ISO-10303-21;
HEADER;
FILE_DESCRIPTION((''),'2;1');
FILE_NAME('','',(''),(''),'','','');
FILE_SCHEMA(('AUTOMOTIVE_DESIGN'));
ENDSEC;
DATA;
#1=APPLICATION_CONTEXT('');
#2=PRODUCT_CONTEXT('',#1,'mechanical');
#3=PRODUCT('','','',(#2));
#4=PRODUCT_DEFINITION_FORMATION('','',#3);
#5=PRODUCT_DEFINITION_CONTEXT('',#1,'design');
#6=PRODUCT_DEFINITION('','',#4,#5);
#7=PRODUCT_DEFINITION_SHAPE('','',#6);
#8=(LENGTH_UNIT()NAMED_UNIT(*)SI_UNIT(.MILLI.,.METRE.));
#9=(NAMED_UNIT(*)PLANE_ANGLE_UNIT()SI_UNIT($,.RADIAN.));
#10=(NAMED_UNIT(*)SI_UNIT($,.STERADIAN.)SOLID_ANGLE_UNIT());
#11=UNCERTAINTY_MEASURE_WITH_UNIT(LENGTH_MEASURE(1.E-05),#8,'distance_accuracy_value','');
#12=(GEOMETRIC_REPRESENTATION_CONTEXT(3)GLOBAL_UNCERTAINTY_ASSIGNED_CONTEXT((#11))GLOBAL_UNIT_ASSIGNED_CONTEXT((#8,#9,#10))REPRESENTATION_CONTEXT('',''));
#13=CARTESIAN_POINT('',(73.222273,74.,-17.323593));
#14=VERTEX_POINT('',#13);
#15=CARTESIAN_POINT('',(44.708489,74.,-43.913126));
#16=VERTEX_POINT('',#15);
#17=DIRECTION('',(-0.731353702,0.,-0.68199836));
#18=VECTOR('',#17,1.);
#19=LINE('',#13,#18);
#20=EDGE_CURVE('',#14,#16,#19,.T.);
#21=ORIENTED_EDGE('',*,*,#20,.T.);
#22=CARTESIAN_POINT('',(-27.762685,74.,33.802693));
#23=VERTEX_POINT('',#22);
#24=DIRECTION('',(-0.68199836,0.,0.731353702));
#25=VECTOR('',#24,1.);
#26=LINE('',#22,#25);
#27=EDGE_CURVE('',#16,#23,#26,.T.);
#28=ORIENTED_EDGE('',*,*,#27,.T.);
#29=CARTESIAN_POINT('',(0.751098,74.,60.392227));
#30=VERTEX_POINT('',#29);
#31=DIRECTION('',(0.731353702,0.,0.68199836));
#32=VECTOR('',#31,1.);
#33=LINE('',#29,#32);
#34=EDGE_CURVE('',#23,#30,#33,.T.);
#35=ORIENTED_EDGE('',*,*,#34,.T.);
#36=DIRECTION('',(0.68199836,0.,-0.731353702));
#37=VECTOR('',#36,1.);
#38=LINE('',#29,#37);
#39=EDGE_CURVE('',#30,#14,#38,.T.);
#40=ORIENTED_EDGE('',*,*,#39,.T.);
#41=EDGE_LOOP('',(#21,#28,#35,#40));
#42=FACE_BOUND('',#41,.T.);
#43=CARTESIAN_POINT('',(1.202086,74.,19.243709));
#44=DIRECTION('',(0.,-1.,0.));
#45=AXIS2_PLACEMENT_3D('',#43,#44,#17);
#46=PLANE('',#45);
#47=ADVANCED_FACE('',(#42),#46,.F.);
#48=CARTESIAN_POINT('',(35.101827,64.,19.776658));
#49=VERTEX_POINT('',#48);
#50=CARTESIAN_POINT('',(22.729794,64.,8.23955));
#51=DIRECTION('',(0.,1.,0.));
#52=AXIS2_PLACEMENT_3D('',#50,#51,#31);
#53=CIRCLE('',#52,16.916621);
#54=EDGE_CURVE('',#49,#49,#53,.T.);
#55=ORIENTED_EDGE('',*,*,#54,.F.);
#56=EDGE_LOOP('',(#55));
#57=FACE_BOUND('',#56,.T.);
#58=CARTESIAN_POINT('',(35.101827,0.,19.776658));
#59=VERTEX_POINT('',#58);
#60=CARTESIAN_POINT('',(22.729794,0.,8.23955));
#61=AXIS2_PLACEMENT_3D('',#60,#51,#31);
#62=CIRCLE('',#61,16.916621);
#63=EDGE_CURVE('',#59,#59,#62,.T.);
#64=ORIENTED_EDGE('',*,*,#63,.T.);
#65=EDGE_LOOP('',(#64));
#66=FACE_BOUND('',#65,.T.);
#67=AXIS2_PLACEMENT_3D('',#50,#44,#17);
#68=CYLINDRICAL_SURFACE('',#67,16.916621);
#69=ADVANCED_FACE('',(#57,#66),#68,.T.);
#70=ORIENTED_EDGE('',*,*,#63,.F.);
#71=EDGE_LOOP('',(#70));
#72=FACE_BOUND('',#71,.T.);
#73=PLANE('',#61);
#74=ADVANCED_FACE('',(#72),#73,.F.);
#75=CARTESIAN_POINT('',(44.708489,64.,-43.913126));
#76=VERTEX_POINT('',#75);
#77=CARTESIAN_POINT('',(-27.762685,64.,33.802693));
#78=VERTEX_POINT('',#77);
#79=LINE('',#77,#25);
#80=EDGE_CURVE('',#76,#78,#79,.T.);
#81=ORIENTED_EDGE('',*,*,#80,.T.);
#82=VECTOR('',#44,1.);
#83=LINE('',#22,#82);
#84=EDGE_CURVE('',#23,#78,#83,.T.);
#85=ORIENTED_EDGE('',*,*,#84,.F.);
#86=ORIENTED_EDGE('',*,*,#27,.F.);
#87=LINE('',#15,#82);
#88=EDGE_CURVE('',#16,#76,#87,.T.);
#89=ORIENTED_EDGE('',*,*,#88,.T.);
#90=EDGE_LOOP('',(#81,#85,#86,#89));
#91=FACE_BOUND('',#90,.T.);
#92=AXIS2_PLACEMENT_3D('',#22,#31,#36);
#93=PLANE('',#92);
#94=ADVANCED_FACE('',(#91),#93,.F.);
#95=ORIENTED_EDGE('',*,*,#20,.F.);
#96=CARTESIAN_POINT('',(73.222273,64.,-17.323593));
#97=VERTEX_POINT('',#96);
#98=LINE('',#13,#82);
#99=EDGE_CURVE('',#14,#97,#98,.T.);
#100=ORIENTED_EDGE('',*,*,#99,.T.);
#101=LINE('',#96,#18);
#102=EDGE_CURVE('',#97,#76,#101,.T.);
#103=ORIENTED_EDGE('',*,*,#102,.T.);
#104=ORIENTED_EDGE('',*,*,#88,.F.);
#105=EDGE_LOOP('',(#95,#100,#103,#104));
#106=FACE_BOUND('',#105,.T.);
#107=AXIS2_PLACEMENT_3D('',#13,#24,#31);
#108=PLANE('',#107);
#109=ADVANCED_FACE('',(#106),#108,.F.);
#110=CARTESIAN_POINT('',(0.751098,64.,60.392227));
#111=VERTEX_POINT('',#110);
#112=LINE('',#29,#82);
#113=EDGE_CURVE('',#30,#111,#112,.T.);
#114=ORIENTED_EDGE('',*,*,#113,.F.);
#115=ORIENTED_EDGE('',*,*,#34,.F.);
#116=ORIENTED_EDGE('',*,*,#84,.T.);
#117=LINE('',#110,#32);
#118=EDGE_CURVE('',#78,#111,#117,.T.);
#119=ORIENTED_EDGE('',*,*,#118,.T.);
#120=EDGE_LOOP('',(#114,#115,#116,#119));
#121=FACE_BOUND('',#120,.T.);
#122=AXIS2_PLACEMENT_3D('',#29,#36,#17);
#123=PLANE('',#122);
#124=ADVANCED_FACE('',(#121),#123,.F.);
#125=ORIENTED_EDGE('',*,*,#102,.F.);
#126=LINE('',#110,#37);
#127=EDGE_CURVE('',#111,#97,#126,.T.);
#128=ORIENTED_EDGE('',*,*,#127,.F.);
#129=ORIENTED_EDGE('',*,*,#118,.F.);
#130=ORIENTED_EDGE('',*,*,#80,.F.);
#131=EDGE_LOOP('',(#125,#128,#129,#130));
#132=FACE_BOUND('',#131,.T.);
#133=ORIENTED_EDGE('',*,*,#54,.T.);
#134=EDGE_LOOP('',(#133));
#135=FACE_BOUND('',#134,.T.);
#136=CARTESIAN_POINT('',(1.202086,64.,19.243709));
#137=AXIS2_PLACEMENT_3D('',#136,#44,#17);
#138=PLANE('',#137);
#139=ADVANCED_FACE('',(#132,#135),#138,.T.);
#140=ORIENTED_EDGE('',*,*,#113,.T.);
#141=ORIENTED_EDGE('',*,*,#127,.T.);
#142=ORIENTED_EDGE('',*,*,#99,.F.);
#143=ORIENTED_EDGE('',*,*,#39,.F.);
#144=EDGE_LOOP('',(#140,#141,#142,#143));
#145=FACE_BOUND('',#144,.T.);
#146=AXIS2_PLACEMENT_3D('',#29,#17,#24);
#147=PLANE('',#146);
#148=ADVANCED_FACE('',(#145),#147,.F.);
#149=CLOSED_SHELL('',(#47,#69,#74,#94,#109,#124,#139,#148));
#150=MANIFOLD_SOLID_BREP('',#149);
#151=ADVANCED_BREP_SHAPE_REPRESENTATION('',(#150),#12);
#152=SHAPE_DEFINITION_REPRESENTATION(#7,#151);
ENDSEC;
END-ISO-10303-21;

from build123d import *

# Parameters (mm, degrees)
SKETCH1_R             = 16.916621232
BOSS_EXTRUDE1_DEPTH   = 64
SKETCH2_W             = 106.262974488
SKETCH2_H             = 38.987679284
BOSS_EXTRUDE2_DEPTH   = 10
BODY_MOVE_COPY1_ANGLE = 47


with BuildPart() as part:
    # Sketch1 → Boss-Extrude1 (new body)
    with BuildSketch(Plane(origin=(0, 0, 0), x_dir=(1, 0, 0), z_dir=(0, 1, 0))):
        with Locations((22.72979363, -8.239550191)):
            Circle(SKETCH1_R)
    extrude(amount=BOSS_EXTRUDE1_DEPTH)

    # Sketch2 → Boss-Extrude2 (add)
    with BuildSketch(Plane(origin=(0, 64, 0), x_dir=(1, 0, 0), z_dir=(0, 1, 0))):
        with Locations((22.72979363, -8.239550191)):
            Rectangle(SKETCH2_W, SKETCH2_H)
    extrude(amount=BOSS_EXTRUDE2_DEPTH)


with BuildPart() as part_1:
    # Body-Move/Copy1: moved
    add(part.part.rotate(Axis((22.72979363, 0, 8.239550191), (0, 1, 0)), BODY_MOVE_COPY1_ANGLE))


solid = part_1.part
